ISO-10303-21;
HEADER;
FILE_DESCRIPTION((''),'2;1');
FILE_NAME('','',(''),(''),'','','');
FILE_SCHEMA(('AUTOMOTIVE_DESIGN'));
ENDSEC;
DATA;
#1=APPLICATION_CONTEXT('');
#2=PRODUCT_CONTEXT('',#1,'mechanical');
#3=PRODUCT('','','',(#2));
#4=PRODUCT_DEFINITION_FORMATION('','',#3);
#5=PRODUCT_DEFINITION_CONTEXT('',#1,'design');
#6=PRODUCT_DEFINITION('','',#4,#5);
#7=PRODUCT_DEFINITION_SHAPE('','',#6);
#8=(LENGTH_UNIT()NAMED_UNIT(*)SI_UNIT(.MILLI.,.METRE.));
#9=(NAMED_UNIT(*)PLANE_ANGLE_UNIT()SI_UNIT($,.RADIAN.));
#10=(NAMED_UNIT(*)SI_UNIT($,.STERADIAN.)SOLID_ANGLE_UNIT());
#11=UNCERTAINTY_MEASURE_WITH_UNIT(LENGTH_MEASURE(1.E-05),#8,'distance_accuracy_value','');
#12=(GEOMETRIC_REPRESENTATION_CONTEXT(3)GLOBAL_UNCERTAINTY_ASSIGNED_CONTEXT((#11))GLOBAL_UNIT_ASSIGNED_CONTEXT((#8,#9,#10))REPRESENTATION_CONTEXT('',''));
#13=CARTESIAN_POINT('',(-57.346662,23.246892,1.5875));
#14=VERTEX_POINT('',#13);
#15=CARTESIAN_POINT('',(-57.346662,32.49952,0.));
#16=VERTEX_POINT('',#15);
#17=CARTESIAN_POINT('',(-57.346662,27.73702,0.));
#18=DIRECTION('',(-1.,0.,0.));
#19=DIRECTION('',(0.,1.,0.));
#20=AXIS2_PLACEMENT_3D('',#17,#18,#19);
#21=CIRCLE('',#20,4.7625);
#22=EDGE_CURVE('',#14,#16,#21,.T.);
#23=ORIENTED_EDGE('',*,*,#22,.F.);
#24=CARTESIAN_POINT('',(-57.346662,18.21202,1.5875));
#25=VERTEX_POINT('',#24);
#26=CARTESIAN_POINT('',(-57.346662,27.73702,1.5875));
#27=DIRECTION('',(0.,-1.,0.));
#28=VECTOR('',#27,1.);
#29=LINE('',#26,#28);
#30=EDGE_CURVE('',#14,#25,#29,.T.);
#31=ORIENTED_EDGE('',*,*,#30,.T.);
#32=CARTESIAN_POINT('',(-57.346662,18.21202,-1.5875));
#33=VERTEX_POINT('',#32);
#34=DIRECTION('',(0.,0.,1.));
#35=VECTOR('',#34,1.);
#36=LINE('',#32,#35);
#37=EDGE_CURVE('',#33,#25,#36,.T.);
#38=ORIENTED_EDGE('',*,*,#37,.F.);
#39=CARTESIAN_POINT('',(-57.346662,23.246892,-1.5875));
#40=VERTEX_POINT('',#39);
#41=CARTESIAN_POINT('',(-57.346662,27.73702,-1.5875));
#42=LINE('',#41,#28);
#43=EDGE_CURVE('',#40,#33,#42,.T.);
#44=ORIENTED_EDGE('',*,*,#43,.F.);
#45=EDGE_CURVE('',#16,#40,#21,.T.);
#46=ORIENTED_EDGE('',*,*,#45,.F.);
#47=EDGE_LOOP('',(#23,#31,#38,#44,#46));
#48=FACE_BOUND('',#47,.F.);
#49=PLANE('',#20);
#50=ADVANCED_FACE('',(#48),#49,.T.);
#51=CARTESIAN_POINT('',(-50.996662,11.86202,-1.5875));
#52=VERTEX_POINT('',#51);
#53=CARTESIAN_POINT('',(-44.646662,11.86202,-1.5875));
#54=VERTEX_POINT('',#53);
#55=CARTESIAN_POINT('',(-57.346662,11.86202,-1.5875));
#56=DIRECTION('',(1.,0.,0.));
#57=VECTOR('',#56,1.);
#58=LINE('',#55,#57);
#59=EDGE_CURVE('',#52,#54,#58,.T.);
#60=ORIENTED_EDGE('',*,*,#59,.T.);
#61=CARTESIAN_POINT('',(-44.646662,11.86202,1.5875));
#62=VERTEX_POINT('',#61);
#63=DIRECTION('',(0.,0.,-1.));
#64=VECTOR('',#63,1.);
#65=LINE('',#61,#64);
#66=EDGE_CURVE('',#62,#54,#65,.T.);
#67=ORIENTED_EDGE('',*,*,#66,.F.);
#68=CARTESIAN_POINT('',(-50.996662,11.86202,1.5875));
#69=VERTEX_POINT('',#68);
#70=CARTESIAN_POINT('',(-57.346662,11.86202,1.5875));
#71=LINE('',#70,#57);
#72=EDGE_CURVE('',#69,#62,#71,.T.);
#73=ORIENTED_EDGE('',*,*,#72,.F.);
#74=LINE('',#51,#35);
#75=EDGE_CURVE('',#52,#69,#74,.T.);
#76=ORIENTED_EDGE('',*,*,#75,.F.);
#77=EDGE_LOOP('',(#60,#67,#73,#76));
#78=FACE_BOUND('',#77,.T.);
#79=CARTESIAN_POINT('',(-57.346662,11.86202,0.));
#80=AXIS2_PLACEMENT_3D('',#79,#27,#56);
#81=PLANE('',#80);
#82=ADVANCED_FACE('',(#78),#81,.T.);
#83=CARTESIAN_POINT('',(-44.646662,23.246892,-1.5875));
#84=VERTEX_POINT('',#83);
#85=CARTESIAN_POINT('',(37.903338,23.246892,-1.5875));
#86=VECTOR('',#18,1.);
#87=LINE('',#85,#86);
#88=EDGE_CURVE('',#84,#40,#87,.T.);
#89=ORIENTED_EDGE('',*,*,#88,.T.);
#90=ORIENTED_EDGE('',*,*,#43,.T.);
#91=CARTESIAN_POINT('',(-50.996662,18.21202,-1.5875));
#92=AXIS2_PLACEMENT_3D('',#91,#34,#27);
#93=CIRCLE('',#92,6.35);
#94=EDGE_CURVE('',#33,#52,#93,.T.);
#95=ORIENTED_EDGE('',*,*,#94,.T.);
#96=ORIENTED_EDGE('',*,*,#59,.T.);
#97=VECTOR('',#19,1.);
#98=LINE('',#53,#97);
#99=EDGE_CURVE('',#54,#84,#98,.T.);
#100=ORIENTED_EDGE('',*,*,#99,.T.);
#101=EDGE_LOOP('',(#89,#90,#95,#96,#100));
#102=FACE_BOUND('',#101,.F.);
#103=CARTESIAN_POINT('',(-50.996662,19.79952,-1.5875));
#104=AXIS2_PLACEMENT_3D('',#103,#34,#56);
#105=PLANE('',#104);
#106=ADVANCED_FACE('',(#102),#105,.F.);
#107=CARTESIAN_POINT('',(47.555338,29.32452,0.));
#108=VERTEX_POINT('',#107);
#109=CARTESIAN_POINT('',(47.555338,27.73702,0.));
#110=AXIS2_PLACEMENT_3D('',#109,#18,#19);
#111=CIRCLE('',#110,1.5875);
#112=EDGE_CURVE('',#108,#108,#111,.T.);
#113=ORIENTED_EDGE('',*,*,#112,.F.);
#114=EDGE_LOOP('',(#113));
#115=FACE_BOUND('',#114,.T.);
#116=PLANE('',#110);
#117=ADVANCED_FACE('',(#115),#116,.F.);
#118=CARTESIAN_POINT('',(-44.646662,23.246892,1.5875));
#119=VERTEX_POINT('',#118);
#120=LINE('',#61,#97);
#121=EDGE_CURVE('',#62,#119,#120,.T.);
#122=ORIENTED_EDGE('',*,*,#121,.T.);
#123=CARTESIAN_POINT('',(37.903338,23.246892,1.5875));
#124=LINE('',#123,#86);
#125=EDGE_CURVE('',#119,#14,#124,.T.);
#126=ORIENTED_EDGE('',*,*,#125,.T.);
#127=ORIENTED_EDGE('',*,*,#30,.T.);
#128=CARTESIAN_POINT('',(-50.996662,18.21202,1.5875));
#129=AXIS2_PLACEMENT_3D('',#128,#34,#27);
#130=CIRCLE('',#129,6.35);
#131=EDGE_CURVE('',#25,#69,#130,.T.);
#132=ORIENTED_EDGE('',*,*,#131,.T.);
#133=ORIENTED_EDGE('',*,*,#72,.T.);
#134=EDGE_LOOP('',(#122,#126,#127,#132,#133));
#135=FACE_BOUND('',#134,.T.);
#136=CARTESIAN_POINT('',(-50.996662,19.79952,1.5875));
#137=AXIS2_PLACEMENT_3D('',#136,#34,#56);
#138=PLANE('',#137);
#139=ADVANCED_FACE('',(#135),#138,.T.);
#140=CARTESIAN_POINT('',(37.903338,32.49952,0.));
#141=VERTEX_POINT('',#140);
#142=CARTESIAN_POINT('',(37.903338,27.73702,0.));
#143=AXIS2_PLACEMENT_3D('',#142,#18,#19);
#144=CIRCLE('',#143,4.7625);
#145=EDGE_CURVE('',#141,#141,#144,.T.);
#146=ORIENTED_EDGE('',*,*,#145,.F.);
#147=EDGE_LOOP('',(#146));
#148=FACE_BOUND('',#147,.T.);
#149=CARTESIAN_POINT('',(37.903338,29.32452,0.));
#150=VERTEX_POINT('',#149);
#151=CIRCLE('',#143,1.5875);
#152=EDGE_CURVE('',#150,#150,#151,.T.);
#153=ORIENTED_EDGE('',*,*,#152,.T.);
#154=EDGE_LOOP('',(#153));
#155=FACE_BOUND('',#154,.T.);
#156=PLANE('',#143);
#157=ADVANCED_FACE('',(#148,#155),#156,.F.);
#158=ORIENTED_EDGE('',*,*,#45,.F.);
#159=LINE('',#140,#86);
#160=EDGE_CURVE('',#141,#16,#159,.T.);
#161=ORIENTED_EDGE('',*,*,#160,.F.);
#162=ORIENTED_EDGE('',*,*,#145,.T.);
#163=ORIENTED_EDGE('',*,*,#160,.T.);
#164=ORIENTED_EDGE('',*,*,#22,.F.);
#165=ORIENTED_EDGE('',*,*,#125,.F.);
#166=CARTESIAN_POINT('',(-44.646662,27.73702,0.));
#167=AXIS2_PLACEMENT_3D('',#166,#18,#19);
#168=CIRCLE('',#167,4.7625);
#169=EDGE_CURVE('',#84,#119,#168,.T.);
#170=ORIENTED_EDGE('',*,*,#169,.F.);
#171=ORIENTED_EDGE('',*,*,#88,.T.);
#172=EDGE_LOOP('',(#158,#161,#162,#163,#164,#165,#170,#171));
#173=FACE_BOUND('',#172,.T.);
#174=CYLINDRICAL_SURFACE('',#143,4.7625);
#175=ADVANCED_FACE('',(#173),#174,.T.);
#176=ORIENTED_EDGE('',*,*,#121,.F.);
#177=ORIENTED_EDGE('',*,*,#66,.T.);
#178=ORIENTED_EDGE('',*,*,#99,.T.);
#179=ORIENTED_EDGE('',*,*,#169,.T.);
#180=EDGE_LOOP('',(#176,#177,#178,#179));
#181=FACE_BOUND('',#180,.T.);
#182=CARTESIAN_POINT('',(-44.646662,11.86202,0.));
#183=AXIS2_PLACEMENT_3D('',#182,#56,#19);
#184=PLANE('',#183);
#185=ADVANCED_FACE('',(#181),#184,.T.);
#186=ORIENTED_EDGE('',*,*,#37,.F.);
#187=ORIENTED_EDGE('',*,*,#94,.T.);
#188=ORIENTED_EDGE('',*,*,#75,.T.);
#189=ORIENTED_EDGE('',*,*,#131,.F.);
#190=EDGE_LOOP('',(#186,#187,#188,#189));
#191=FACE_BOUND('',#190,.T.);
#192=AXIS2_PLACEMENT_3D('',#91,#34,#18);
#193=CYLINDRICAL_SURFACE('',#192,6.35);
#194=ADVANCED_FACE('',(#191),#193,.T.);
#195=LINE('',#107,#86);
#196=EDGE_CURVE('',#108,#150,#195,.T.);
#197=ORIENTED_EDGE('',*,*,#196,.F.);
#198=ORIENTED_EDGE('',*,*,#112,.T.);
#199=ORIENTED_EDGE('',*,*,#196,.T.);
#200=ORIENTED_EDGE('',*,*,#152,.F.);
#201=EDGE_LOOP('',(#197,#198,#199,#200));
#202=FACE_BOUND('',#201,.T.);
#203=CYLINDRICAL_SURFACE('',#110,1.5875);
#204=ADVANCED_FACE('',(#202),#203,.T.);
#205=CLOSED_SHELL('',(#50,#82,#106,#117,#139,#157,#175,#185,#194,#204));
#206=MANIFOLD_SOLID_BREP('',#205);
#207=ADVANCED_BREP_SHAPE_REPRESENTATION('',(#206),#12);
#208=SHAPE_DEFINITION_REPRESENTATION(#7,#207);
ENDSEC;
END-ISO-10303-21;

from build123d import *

# Parameters (mm, degrees)
F0_W     = 12.7
F0_H     = 4.7625
F2_DEPTH = 1.5875
F3_R     = 6.35


with BuildPart() as f1:
    # F0 (on Top) → F1 (revolve)
    with BuildSketch(Plane.XY):
        with Locations((-50.996662, 30.11827)):
            Rectangle(F0_W, F0_H)
        Polygon((37.903338, 32.49952), (-44.646662, 32.49952), (-44.646662, 27.73702), (47.555338, 27.73702), (47.555338, 29.32452), (37.903338, 29.32452), align=None)
    revolve(axis=Axis((1.454338, 27.73702, 0), (-1, 0, 0)))

    # F0 (on Top) → F2 (join, symmetric)
    with BuildSketch(Plane.XY):
        Polygon((-44.646662, 22.97452), (-44.646662, 27.73702), (-57.346662, 27.73702), (-57.346662, 11.86202), (-44.646662, 11.86202), align=None)
    extrude(amount=F2_DEPTH, both=True)

    # F3
    f3_edges = [f1.edges().sort_by_distance(p)[0] for p in [
        (-57.346662, 11.86202, 0),
    ]]
    fillet(f3_edges, radius=F3_R)


solid = f1.part
